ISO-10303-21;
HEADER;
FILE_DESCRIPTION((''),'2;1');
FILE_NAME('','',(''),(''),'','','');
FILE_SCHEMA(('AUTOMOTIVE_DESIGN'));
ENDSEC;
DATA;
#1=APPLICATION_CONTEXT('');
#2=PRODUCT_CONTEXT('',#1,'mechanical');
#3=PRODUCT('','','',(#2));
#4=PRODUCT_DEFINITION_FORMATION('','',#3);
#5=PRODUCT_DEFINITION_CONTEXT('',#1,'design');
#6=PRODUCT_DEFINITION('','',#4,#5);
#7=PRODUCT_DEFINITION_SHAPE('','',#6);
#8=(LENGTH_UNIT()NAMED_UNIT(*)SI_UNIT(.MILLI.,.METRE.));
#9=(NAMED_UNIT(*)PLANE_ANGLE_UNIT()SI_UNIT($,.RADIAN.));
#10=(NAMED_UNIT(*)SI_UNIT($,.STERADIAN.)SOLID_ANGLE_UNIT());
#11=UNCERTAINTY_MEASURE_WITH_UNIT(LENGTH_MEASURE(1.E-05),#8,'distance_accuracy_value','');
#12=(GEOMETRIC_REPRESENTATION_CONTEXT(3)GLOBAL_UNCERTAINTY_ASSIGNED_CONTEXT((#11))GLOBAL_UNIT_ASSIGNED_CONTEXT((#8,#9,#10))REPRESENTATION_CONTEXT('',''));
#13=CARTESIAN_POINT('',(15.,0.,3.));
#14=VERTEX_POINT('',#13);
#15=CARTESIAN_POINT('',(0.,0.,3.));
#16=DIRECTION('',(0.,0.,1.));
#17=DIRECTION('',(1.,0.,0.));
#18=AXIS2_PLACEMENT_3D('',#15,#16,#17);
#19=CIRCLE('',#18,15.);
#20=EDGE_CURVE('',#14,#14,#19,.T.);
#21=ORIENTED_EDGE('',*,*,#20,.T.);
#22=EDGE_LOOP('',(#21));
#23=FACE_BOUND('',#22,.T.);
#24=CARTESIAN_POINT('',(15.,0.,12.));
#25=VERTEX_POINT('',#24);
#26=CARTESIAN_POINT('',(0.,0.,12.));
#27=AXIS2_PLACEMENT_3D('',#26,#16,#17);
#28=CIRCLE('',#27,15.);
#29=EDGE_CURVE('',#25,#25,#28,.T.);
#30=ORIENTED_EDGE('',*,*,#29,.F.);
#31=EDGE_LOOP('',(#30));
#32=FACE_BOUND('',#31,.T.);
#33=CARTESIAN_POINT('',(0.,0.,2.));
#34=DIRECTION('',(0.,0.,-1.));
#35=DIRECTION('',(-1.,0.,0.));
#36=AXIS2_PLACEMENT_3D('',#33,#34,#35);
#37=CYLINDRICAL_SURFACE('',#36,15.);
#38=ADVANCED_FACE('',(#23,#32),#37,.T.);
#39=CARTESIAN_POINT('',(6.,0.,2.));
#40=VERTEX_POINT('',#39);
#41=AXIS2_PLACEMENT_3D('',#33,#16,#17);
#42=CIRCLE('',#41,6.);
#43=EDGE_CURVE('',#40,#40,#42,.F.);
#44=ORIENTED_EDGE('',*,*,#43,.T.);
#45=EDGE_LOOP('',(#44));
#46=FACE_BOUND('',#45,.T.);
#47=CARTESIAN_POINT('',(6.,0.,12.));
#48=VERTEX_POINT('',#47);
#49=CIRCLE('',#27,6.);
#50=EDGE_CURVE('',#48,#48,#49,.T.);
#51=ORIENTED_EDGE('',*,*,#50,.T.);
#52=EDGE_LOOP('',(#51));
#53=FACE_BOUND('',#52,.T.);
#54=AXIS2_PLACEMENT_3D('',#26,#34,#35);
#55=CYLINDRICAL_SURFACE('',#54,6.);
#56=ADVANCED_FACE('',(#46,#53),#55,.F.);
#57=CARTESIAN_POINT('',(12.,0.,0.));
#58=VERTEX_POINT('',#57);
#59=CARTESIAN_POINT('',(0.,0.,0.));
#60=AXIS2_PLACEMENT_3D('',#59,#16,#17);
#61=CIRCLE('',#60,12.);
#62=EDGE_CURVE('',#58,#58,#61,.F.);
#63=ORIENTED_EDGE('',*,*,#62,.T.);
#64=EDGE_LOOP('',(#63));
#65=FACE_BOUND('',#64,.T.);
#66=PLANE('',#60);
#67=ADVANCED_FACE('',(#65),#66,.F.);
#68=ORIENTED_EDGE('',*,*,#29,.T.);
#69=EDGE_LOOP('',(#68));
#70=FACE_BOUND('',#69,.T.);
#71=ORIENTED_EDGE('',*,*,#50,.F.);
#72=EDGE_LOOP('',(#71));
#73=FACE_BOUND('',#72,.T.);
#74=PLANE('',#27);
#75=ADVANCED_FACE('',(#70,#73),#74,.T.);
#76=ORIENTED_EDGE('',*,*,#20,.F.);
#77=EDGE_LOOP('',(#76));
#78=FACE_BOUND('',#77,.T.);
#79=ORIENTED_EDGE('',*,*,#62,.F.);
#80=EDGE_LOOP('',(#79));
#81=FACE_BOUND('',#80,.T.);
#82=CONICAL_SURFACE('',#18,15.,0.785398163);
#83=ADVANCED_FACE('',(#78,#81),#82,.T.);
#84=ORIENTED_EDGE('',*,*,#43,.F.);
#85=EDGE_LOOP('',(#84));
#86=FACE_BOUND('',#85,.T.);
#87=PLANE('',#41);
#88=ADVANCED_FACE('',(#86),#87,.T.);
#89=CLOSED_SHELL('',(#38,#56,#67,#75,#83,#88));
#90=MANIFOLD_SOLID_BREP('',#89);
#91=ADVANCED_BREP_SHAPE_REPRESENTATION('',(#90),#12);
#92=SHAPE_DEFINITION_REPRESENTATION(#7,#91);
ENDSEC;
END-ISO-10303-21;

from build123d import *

# Parameters (mm, degrees)
SKETCH_1_R      = 15
EXTRUDE_1_DEPTH = 2
SKETCH_2_R      = 15
SKETCH_2_R_2    = 6
EXTRUDE_2_DEPTH = 10
CHAMFER_1_SIZE  = 3


with BuildPart() as part:
    # 草图1 → 凸台-拉伸1 (new body)
    with BuildSketch(Plane.XY):
        Circle(SKETCH_1_R)
    extrude(amount=EXTRUDE_1_DEPTH)

    # 草图2 → 凸台-拉伸2 (add)
    with BuildSketch(Plane.XY.offset(2)):
        Circle(SKETCH_2_R)
        Circle(SKETCH_2_R_2, mode=Mode.SUBTRACT)
    extrude(amount=EXTRUDE_2_DEPTH)

    # 倒角1
    chamfer_1_edges = [part.edges().sort_by_distance(p)[0] for p in [
        (-15, 0, 0),
    ]]
    chamfer(chamfer_1_edges, length=CHAMFER_1_SIZE)


solid = part.part
